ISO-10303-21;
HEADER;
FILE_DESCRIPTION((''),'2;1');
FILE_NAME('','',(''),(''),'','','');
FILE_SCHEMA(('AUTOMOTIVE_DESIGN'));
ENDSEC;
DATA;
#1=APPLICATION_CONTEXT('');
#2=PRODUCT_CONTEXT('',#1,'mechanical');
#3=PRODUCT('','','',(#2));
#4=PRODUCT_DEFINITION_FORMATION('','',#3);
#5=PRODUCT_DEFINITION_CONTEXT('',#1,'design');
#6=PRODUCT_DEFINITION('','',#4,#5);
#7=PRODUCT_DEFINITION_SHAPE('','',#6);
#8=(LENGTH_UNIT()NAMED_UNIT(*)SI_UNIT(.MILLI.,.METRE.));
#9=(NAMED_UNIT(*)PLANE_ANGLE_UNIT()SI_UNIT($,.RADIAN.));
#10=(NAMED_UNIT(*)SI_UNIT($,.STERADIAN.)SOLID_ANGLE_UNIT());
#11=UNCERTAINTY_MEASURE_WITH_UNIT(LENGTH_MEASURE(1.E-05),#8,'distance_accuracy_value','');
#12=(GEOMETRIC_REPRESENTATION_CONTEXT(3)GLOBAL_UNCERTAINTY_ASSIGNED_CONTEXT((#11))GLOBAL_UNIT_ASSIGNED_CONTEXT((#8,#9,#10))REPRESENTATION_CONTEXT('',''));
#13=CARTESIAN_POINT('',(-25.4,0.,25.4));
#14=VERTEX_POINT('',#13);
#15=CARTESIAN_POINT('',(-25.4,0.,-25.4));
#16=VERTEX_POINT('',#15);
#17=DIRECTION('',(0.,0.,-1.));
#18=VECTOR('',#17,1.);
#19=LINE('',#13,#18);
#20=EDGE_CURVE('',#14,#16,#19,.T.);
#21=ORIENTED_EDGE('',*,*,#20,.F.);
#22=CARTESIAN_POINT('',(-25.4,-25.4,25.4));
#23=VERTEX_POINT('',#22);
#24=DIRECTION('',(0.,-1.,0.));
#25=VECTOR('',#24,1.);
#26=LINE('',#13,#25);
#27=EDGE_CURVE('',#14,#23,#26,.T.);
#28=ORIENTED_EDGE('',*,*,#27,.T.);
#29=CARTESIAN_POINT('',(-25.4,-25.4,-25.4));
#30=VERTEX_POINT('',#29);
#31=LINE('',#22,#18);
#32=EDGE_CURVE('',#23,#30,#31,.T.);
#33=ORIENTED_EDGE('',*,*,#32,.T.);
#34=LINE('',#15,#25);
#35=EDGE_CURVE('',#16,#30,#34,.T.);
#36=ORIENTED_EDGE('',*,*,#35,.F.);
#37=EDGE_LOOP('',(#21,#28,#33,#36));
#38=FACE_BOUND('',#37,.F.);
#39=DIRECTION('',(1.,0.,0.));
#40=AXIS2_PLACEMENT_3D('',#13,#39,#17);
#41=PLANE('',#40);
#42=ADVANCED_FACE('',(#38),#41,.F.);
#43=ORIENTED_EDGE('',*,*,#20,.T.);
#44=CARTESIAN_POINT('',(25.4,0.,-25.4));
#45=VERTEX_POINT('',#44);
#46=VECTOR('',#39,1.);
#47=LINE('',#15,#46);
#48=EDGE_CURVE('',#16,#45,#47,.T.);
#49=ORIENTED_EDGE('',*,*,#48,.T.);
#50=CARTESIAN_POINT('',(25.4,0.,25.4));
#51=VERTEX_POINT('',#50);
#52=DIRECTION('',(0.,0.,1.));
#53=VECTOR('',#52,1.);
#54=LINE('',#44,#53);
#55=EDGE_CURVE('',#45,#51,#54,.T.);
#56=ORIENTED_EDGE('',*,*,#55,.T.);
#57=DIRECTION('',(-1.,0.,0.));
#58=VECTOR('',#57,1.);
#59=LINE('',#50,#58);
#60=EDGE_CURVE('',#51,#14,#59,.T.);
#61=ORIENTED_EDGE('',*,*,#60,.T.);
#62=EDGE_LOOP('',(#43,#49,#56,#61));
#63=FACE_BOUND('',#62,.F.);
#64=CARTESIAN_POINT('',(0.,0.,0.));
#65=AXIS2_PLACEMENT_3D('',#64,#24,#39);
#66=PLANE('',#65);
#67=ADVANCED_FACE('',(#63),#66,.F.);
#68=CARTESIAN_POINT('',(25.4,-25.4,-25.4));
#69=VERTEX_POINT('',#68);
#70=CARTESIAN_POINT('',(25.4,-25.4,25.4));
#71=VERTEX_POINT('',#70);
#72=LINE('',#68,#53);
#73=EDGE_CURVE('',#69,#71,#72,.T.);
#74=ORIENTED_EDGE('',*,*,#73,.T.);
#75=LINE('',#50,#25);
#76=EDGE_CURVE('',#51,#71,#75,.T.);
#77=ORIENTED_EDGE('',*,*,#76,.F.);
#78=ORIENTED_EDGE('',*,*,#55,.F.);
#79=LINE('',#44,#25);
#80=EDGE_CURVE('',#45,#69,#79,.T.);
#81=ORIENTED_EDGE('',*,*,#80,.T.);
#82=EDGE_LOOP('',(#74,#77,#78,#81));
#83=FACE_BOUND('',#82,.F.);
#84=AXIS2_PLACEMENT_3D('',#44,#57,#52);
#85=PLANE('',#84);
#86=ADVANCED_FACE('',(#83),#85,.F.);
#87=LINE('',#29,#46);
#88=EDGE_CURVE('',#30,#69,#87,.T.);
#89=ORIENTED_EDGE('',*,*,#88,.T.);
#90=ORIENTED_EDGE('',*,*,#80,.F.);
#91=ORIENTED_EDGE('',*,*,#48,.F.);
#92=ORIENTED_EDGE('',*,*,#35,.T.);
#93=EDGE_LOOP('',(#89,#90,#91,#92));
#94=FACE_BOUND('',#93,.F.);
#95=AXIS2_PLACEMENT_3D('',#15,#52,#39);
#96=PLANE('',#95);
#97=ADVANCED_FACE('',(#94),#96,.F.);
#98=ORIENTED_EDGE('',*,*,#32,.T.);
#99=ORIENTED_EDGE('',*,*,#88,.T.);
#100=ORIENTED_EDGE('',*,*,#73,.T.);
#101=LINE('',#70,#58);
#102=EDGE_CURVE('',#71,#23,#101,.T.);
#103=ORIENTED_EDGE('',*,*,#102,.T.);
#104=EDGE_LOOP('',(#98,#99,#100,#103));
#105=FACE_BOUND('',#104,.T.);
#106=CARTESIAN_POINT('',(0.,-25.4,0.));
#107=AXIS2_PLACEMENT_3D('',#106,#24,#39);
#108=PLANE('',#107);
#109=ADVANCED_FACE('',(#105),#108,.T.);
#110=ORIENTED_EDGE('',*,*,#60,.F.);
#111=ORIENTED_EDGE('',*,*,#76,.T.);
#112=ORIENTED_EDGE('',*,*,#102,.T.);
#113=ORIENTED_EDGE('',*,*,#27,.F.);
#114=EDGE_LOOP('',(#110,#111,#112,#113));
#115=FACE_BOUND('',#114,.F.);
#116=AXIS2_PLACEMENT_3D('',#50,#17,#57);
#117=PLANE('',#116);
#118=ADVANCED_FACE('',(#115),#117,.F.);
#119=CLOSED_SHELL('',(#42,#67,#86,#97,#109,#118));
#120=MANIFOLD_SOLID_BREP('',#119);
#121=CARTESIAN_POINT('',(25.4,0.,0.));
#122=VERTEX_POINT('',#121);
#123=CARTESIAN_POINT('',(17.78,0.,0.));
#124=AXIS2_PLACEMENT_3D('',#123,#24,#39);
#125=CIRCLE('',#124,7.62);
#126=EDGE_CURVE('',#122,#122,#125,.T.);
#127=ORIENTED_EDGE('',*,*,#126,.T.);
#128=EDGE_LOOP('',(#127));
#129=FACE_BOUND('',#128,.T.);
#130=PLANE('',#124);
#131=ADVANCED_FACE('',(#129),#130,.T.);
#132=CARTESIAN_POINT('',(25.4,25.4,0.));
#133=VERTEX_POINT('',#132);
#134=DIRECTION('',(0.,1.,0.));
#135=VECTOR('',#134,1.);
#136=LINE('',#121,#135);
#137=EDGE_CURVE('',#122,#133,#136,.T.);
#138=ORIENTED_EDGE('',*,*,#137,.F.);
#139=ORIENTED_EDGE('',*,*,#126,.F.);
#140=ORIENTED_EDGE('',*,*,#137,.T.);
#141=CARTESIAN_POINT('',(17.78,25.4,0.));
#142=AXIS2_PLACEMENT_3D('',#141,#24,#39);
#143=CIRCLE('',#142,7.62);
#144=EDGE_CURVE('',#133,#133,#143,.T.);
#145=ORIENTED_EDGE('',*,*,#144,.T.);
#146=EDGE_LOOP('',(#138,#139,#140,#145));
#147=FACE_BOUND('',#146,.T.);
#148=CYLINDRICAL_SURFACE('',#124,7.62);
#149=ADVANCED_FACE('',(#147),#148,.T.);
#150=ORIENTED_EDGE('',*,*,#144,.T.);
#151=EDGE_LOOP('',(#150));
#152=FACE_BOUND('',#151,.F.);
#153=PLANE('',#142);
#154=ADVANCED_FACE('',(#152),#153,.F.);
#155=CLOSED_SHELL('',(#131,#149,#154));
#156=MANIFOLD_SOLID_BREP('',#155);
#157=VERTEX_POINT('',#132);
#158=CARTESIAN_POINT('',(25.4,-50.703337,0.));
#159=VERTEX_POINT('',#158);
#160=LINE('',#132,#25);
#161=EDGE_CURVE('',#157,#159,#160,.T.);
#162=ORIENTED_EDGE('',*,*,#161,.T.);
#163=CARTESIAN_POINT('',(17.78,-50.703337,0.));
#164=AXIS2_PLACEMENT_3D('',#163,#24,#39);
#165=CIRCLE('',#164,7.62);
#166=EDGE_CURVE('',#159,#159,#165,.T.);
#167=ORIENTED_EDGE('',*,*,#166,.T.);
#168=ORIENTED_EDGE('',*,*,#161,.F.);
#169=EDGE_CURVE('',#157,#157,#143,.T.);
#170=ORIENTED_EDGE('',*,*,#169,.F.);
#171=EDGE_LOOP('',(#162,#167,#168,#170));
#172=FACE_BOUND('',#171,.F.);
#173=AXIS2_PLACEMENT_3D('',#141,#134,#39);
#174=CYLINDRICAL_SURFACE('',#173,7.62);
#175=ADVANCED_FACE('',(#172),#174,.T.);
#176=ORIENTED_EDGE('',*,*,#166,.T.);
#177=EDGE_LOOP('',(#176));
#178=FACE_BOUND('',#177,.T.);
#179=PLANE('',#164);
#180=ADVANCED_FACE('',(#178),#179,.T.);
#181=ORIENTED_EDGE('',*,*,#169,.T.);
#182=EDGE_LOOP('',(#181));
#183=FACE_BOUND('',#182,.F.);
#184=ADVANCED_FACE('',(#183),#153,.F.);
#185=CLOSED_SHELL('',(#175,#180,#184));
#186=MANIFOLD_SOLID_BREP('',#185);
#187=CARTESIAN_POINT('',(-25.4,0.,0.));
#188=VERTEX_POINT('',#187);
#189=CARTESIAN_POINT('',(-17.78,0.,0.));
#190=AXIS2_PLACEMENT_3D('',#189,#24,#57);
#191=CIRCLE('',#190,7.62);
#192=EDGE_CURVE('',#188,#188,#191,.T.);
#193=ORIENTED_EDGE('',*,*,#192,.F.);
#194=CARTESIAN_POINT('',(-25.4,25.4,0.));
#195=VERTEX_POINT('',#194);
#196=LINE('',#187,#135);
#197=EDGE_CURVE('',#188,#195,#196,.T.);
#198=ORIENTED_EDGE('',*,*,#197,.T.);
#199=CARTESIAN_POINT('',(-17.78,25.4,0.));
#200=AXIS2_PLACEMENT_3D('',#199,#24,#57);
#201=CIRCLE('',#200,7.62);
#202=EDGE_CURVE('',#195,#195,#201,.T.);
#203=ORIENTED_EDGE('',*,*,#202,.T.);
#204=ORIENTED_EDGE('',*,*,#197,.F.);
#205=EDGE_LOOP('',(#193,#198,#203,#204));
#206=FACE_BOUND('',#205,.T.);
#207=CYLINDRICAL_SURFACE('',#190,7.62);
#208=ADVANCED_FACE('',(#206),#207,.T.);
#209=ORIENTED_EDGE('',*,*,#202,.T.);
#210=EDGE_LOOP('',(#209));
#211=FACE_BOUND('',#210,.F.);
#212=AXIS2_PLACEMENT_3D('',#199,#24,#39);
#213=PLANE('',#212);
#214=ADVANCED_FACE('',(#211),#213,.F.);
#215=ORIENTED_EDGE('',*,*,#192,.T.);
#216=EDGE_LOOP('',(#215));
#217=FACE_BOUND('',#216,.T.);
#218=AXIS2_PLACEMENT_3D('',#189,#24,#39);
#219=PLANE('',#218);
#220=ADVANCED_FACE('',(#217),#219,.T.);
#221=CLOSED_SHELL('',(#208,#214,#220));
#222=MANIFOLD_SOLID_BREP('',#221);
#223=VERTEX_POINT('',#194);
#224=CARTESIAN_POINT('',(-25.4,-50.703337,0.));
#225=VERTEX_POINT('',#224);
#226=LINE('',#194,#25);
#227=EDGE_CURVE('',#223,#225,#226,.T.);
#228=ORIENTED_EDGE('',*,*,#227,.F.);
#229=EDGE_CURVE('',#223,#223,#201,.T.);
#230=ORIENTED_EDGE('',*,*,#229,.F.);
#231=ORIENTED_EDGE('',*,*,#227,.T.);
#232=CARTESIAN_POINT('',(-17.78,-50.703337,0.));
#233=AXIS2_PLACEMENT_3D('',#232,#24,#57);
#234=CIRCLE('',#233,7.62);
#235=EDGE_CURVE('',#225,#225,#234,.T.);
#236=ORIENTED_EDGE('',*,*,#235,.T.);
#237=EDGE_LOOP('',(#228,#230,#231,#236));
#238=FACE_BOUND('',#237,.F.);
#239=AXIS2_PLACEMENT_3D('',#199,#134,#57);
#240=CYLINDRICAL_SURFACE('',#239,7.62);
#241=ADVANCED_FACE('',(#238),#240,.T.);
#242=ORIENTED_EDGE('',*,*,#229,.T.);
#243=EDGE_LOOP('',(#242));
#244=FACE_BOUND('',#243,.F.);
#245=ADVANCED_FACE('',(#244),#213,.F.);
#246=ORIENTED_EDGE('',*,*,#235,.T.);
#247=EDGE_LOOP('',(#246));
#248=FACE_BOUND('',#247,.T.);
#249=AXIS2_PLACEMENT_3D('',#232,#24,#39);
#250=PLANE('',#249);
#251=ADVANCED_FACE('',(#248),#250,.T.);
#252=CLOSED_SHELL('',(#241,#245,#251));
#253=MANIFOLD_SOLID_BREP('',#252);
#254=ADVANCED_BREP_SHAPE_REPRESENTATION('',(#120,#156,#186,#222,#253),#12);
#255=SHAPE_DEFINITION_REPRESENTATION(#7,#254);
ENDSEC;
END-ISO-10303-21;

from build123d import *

# Parameters (mm, degrees)
F0_R     = 7.62
F1_DEPTH = 25.4
F2_DEPTH = 25.4
F3_DEPTH = 76.1033371091


with BuildPart() as f1:
    # F0 (on Front) → F1 (new body)
    with BuildSketch(Plane.XZ):
        with Locations((17.78, 0)):
            Circle(F0_R)
    extrude(amount=-F1_DEPTH)


with BuildPart() as f1b:
    # F0 (on Front) → F1, piece 2 (new body)
    with BuildSketch(Plane.XZ):
        with BuildLine():
            ThreePointArc((-10.16, 0), (-17.78, 7.62), (-25.4, 0))
            ThreePointArc((-25.4, 0), (-17.78, -7.62), (-10.16, 0))
        make_face()
    extrude(amount=-F1_DEPTH)


with BuildPart() as f2:
    # F0 (on Front) → F2 (new body)
    with BuildSketch(Plane.XZ):
        Polygon((25.4, 25.4), (0, 25.4), (-25.4, 25.4), (-25.4, 0), (-25.4, -25.4), (0, -25.4), (25.4, -25.4), (25.4, 0), align=None)
        with BuildLine():
            ThreePointArc((-10.16, 0), (-17.78, -7.62), (-25.4, 0))
            ThreePointArc((-25.4, 0), (-17.78, 7.62), (-10.16, 0))
        make_face(mode=Mode.SUBTRACT)
        with Locations((17.78, 0)):
            Circle(F0_R, mode=Mode.SUBTRACT)
        with BuildLine():
            ThreePointArc((-10.16, 0), (-17.78, 7.62), (-25.4, 0))
            ThreePointArc((-25.4, 0), (-17.78, -7.62), (-10.16, 0))
        make_face()
        with Locations((17.78, 0)):
            Circle(F0_R)
    extrude(amount=F2_DEPTH)


with BuildPart() as f3:
    # F3 (new): a face of the model
    f3_faces = [f1.part.faces().sort_by_distance(p)[0] for p in [
        (17.78, 25.4, 0),
    ]]
    extrude(f3_faces, amount=-F3_DEPTH)


with BuildPart() as f3b:
    # F3#2 (new): a face of the model
    f3_2_faces = [f1b.part.faces().sort_by_distance(p)[0] for p in [
        (-17.78, 25.4, 0),
    ]]
    extrude(f3_2_faces, amount=-F3_DEPTH)


solid = Compound([f1.part, f1b.part, f2.part, f3.part, f3b.part])
